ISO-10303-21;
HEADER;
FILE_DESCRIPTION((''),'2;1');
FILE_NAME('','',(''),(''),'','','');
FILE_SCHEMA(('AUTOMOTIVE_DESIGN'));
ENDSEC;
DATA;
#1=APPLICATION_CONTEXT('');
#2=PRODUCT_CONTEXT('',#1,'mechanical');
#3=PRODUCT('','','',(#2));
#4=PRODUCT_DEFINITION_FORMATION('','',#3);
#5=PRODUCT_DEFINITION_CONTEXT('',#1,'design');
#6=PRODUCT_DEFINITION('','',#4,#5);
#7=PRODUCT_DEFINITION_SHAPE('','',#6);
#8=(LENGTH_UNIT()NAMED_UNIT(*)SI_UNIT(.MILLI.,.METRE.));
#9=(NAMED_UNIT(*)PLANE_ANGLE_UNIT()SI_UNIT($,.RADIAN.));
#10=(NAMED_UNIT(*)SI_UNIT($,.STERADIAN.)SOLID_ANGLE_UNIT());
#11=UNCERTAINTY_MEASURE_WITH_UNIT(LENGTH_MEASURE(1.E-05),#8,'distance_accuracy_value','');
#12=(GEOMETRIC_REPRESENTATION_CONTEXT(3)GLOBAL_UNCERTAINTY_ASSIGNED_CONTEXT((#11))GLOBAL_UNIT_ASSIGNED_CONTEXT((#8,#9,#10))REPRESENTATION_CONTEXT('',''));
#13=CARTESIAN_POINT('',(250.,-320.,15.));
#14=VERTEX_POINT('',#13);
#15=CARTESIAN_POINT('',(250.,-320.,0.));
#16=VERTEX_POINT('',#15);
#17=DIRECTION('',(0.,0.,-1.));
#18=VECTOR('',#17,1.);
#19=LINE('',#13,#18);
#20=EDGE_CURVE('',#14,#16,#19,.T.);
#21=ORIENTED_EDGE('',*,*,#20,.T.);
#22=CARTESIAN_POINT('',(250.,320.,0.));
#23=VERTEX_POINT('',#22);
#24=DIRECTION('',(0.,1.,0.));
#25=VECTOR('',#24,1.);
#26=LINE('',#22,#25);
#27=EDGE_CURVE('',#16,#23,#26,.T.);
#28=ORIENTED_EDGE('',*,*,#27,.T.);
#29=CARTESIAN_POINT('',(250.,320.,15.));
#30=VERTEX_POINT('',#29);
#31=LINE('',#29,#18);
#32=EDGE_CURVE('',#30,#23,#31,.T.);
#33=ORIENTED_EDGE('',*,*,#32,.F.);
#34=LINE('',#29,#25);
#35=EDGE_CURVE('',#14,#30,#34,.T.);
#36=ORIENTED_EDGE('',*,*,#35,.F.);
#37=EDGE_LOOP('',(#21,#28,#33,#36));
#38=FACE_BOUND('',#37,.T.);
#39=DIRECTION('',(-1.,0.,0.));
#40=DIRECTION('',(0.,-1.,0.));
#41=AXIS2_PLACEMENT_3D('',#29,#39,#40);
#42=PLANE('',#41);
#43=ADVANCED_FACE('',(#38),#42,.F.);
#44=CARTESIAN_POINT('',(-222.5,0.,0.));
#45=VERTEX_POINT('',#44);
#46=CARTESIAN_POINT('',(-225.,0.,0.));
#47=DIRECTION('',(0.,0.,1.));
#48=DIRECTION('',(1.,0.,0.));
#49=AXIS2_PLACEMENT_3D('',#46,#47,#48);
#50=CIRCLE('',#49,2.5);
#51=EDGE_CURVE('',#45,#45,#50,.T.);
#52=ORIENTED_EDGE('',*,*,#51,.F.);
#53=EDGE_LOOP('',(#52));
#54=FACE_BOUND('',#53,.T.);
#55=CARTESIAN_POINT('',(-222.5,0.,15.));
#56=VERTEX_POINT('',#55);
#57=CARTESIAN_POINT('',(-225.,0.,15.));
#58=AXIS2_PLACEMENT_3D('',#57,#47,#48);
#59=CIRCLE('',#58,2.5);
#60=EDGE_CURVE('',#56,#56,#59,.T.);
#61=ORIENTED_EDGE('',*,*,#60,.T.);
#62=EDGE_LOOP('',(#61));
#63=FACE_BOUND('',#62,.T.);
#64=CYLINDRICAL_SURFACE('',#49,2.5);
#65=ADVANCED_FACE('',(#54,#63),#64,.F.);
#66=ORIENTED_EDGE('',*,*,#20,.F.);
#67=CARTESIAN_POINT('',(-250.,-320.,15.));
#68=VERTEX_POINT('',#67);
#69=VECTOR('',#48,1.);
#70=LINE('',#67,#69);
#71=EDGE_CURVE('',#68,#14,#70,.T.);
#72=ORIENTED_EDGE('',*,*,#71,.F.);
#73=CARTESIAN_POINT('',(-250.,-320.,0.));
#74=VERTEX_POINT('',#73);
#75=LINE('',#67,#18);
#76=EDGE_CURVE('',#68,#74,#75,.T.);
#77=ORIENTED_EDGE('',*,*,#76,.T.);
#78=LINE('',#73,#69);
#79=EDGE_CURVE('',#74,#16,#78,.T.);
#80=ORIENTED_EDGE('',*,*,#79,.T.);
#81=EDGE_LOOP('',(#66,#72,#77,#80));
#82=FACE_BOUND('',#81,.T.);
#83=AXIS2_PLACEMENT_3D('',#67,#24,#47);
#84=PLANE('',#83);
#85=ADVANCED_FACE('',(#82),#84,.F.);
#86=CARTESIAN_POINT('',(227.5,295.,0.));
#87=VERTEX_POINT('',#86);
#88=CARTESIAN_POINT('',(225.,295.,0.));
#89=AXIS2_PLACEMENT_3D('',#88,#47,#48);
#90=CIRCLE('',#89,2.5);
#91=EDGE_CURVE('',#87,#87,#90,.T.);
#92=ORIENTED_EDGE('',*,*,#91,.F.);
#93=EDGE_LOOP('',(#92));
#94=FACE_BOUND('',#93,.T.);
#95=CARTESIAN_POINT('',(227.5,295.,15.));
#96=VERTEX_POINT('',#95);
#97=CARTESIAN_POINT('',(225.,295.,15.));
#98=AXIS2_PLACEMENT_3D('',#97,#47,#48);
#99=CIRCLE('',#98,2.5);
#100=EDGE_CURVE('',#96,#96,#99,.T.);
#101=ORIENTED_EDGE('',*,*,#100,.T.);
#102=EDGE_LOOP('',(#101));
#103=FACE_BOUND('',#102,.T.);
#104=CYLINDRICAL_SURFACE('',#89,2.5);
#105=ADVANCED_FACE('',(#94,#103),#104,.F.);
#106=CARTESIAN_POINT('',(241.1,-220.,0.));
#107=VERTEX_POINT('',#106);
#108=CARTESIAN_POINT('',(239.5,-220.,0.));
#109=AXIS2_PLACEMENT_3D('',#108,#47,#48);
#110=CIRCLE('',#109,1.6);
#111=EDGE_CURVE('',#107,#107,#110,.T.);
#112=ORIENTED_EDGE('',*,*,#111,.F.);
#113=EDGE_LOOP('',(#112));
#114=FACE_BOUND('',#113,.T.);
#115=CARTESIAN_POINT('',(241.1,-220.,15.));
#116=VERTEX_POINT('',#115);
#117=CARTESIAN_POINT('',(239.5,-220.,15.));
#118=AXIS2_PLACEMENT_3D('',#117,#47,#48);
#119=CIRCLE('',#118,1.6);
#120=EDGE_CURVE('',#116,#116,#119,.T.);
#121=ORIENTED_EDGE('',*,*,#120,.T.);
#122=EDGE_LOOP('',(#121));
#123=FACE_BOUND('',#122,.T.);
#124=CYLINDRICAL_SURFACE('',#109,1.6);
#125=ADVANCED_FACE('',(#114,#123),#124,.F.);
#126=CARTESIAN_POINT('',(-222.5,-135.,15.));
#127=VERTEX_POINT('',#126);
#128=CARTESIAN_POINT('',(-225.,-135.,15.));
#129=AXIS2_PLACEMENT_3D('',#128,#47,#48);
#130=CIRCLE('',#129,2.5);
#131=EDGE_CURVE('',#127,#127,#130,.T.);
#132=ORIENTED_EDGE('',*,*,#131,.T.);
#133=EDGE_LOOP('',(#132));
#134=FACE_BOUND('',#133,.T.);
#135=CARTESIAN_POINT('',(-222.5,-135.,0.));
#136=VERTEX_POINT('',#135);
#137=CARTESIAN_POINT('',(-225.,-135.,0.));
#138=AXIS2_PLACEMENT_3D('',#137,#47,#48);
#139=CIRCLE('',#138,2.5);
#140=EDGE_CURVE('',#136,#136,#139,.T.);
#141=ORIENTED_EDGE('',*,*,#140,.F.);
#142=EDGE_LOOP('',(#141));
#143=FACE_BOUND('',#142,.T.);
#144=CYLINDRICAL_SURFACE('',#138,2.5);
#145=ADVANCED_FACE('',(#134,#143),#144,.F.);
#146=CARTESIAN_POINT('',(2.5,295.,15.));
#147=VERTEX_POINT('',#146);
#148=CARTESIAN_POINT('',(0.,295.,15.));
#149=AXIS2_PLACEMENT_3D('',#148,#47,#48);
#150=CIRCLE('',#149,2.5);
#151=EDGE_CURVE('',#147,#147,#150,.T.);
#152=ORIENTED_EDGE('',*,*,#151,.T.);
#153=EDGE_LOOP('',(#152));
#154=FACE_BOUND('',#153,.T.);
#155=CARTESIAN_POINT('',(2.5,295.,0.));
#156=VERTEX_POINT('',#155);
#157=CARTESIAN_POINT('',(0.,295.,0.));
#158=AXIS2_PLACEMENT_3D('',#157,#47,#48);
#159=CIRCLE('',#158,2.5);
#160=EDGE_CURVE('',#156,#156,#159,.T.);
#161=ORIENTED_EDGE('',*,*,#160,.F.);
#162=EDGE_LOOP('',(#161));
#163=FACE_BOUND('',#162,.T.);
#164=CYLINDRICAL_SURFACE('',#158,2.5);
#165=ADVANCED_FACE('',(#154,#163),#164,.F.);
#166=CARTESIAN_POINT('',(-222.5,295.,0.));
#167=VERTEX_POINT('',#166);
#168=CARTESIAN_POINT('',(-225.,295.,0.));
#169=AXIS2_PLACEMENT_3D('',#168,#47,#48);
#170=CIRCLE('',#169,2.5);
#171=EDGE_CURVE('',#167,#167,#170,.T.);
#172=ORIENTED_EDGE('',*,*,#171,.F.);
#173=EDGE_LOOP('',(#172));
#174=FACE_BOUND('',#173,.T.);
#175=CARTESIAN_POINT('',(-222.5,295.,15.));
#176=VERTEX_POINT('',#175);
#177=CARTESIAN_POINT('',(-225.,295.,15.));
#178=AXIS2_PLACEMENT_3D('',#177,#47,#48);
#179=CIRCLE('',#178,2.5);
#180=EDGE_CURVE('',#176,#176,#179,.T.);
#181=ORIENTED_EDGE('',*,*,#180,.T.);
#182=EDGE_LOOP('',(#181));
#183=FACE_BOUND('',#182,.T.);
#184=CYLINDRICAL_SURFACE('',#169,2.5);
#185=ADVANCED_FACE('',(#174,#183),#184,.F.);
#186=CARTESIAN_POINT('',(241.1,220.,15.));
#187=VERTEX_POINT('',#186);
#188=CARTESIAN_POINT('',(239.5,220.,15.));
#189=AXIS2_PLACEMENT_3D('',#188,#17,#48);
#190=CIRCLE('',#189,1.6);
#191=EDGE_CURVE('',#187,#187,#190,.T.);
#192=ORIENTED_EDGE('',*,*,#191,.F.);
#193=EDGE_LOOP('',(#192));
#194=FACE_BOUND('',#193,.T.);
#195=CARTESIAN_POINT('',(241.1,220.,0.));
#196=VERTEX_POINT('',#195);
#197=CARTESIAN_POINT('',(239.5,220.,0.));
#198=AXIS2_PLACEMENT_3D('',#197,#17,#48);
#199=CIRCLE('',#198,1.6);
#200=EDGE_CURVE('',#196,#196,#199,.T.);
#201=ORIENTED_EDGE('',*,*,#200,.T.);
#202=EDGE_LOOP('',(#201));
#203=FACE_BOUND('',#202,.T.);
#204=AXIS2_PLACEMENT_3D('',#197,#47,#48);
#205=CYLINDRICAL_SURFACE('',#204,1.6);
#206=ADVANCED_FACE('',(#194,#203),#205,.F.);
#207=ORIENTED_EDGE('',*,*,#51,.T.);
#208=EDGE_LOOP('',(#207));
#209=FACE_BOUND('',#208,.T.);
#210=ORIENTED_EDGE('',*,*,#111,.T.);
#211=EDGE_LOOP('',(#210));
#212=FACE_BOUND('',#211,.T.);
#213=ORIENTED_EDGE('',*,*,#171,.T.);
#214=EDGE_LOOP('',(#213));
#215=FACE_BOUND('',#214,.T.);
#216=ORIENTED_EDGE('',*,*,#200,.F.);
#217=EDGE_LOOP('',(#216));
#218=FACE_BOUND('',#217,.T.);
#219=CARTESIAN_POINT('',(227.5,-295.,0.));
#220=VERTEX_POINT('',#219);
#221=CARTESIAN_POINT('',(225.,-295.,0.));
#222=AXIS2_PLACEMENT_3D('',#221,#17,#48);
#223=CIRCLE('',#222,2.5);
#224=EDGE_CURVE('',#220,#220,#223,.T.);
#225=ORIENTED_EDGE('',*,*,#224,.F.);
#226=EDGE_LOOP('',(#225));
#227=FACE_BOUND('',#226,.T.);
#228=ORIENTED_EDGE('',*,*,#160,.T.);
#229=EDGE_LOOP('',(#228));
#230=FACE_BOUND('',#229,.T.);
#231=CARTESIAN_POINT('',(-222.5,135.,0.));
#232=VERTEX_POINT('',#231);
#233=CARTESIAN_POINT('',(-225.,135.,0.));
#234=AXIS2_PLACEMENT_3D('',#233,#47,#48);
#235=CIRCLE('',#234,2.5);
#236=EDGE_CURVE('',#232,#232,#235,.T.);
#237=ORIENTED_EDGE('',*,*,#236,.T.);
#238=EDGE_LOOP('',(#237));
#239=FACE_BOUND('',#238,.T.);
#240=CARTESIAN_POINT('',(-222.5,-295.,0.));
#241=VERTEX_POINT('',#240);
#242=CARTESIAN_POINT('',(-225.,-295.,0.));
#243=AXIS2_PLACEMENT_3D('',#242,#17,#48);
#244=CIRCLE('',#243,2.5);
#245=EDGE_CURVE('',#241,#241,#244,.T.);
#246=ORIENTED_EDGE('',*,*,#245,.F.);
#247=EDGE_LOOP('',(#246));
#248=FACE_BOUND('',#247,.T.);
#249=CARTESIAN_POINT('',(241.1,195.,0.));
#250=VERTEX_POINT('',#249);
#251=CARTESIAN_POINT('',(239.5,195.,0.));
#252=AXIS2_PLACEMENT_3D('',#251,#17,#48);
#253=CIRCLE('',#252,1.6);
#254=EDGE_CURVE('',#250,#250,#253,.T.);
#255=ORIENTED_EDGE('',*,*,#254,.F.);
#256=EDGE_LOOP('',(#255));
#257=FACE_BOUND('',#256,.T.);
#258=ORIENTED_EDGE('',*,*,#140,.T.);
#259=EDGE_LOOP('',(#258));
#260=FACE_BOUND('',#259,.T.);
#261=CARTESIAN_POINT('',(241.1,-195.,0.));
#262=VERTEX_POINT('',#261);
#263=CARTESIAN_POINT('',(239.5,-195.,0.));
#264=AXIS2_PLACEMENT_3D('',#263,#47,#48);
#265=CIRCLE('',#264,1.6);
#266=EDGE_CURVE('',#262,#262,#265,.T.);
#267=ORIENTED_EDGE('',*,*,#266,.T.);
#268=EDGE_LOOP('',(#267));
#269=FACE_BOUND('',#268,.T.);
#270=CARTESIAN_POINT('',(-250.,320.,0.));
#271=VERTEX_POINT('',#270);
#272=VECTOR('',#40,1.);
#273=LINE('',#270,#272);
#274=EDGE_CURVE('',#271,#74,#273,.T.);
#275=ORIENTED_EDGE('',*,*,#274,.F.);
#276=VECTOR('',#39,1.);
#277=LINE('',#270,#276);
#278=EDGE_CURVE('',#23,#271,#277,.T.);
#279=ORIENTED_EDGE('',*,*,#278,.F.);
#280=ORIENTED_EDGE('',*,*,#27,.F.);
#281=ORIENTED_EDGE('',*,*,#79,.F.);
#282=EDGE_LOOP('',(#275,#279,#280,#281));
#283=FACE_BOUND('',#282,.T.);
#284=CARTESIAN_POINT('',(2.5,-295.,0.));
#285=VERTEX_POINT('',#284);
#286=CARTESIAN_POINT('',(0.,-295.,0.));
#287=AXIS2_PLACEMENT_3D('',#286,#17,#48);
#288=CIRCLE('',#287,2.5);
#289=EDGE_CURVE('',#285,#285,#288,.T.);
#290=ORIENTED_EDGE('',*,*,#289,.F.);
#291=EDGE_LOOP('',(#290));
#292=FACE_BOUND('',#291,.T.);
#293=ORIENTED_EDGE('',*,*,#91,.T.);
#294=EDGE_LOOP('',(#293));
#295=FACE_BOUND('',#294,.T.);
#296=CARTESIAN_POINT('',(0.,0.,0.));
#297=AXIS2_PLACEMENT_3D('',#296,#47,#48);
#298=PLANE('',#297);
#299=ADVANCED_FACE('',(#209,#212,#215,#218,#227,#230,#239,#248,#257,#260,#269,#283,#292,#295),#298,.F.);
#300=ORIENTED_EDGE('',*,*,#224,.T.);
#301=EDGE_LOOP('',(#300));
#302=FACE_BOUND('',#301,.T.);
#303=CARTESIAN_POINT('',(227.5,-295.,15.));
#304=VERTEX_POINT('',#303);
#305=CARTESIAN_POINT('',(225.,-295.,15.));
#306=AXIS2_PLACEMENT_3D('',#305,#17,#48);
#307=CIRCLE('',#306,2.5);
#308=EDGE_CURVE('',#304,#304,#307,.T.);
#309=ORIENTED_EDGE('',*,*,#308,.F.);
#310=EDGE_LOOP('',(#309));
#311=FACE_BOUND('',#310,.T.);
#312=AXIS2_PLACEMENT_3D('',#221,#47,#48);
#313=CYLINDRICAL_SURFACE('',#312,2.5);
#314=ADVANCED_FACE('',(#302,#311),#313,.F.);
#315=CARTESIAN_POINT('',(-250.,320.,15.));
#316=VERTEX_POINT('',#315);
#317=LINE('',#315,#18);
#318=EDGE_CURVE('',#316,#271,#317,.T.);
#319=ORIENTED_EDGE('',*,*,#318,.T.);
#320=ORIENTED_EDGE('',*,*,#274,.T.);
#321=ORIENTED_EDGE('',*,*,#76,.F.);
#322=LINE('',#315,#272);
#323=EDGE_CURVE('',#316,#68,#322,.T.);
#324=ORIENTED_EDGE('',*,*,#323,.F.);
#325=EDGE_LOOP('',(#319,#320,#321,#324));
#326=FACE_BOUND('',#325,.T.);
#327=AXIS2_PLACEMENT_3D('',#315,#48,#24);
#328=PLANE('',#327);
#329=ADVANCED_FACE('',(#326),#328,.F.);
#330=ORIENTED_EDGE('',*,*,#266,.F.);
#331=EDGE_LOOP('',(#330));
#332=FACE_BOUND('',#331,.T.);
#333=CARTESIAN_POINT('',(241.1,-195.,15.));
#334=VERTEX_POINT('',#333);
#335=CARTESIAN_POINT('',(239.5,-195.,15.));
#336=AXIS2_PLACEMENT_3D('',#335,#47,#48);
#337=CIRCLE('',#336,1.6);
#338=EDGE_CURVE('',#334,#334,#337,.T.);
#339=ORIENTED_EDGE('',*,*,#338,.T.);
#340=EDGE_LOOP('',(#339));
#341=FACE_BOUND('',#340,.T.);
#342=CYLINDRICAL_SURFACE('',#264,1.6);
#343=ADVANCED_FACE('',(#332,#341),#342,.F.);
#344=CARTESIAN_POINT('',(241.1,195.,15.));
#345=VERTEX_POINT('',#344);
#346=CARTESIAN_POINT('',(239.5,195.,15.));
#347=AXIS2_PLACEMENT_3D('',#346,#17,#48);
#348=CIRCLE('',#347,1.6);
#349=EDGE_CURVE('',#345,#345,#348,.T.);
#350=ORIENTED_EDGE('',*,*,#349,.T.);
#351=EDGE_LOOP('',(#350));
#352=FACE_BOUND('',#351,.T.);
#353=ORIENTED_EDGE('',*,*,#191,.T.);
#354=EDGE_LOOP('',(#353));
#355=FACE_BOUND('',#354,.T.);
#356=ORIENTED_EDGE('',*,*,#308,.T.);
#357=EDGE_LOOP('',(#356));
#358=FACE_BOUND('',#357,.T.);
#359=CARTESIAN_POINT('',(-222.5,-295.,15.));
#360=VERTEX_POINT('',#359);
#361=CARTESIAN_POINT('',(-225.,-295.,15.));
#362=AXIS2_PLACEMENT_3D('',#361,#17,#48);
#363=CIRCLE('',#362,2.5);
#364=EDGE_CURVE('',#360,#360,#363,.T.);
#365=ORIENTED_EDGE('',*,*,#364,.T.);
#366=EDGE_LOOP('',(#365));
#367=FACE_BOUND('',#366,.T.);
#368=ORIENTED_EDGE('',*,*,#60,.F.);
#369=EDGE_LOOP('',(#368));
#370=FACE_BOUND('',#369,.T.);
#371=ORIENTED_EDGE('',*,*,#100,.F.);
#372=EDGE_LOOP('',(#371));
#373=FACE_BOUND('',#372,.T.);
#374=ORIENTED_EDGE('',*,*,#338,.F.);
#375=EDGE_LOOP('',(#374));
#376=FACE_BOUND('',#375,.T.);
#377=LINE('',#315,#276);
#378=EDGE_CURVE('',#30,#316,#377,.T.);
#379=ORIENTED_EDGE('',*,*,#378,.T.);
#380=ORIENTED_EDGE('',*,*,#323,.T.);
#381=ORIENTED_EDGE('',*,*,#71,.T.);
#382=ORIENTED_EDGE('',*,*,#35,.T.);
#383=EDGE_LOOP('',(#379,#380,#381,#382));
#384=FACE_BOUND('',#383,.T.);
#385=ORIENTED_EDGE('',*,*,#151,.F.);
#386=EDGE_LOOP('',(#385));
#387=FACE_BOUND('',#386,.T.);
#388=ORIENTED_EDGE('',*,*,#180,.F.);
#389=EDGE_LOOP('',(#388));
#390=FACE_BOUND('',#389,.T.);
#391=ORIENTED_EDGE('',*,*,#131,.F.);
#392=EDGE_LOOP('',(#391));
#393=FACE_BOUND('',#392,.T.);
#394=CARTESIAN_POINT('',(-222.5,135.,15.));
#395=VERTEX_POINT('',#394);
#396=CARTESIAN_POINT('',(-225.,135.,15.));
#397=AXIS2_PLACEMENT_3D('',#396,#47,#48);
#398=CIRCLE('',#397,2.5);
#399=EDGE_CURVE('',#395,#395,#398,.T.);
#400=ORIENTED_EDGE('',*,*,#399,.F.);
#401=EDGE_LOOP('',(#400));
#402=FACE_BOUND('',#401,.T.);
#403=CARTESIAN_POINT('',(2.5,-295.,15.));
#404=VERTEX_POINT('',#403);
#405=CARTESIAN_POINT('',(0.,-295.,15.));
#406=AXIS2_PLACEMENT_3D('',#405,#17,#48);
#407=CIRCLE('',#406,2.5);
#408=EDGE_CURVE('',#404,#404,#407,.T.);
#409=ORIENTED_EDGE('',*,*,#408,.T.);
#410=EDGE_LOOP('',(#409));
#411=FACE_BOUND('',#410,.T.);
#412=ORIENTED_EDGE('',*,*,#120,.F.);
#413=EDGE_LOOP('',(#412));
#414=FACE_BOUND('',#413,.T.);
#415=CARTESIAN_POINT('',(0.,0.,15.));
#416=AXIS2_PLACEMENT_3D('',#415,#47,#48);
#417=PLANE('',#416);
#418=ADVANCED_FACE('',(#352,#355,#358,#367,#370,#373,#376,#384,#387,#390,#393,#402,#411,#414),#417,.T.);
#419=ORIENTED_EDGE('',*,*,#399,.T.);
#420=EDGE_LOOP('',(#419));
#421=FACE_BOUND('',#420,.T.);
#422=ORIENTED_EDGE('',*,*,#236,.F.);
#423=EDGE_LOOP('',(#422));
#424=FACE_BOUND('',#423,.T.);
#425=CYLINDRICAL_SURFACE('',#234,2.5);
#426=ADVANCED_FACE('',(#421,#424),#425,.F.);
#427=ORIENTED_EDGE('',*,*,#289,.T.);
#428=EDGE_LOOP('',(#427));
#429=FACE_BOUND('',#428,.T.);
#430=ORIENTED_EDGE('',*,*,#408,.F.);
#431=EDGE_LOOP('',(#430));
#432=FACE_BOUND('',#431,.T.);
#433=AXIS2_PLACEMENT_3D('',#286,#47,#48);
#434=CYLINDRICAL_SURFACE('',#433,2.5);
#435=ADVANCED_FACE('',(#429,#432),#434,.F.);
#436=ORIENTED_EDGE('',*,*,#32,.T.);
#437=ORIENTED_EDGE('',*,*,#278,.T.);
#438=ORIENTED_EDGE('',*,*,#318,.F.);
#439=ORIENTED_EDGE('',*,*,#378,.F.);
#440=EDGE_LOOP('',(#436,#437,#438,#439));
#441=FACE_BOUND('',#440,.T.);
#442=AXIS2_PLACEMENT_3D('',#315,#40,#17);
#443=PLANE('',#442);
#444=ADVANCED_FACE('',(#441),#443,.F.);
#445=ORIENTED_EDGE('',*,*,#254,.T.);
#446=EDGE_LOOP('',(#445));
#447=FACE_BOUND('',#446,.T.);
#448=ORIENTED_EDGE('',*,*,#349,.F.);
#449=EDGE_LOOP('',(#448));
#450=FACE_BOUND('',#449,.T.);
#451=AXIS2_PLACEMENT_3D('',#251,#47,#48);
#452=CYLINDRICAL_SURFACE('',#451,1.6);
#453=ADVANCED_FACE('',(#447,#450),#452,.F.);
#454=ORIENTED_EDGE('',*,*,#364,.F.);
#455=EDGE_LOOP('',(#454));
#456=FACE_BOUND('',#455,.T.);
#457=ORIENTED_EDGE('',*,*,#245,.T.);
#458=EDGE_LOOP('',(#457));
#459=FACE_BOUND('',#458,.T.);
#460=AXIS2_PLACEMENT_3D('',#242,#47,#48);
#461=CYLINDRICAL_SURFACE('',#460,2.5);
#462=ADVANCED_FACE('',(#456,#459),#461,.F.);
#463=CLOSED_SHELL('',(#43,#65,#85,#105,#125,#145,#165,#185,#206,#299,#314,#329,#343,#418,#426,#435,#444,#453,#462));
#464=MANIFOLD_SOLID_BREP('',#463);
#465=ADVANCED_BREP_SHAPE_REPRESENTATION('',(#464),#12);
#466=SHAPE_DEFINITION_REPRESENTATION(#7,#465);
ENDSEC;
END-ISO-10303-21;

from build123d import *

# Parameters (mm, degrees)
SKETCH_1_W               = 500
SKETCH_1_H               = 640
EXTRUDE_1_DEPTH          = 15
CUT_EXTRUDE_1_DEPTH      = 407.355755466
CUT_EXTRUDE_1_DEPTH_BACK = 407.355755466
SKETCH_2_R               = 2.5
SKETCH_2_3_R             = 2.5
CUT_EXTRUDE_2_DEPTH      = 407.355755466
SKETCH_3_R               = 1.6
CUT_EXTRUDE_3_DEPTH      = 407.355755466


with BuildPart() as part:
    # ｽｹｯﾁ1 → ﾎﾞｽ - 押し出し1 (new body)
    with BuildSketch(Plane.XY):
        Rectangle(SKETCH_1_W, SKETCH_1_H)
    extrude(amount=EXTRUDE_1_DEPTH)

    # ｽｹｯﾁ2 → ｶｯﾄ - 押し出し1 (cut, two sides: drawn at the far end of the back side and taken through both)
    with BuildSketch(Plane.XY.offset(15).offset(-CUT_EXTRUDE_1_DEPTH_BACK)):
        with Locations((-225, 135)):
            Circle(SKETCH_2_R)
        with Locations((-225, 0)):
            Circle(SKETCH_2_R)
        with Locations((-225, -135)):
            Circle(SKETCH_2_R)
    extrude(amount=CUT_EXTRUDE_1_DEPTH + CUT_EXTRUDE_1_DEPTH_BACK, mode=Mode.SUBTRACT)

    # ｽｹｯﾁ2<3> → ｶｯﾄ - 押し出し2 (cut, through all)
    with BuildSketch(Plane.XY.offset(15)):
        with Locations((0, 295)):
            Circle(SKETCH_2_3_R)
        with Locations((-225, 295)):
            Circle(SKETCH_2_3_R)
        with Locations((225, 295)):
            Circle(SKETCH_2_3_R)
    cut_extrude_2 = extrude(amount=-CUT_EXTRUDE_2_DEPTH, mode=Mode.SUBTRACT)

    # ﾐﾗｰ1: ｶｯﾄ - 押し出し2 across plane
    add(cut_extrude_2.mirror(Plane.ZX), mode=Mode.SUBTRACT)

    # ｽｹｯﾁ3 → ｶｯﾄ - 押し出し3 (cut, through all)
    with BuildSketch(Plane.XY.offset(15)):
        with Locations((239.5, -220)):
            Circle(SKETCH_3_R)
        with Locations((239.5, -195)):
            Circle(SKETCH_3_R)
    cut_extrude_3 = extrude(amount=-CUT_EXTRUDE_3_DEPTH, mode=Mode.SUBTRACT)

    # ﾐﾗｰ2: ｶｯﾄ - 押し出し3 across plane
    add(cut_extrude_3.mirror(Plane.ZX), mode=Mode.SUBTRACT)


solid = part.part
